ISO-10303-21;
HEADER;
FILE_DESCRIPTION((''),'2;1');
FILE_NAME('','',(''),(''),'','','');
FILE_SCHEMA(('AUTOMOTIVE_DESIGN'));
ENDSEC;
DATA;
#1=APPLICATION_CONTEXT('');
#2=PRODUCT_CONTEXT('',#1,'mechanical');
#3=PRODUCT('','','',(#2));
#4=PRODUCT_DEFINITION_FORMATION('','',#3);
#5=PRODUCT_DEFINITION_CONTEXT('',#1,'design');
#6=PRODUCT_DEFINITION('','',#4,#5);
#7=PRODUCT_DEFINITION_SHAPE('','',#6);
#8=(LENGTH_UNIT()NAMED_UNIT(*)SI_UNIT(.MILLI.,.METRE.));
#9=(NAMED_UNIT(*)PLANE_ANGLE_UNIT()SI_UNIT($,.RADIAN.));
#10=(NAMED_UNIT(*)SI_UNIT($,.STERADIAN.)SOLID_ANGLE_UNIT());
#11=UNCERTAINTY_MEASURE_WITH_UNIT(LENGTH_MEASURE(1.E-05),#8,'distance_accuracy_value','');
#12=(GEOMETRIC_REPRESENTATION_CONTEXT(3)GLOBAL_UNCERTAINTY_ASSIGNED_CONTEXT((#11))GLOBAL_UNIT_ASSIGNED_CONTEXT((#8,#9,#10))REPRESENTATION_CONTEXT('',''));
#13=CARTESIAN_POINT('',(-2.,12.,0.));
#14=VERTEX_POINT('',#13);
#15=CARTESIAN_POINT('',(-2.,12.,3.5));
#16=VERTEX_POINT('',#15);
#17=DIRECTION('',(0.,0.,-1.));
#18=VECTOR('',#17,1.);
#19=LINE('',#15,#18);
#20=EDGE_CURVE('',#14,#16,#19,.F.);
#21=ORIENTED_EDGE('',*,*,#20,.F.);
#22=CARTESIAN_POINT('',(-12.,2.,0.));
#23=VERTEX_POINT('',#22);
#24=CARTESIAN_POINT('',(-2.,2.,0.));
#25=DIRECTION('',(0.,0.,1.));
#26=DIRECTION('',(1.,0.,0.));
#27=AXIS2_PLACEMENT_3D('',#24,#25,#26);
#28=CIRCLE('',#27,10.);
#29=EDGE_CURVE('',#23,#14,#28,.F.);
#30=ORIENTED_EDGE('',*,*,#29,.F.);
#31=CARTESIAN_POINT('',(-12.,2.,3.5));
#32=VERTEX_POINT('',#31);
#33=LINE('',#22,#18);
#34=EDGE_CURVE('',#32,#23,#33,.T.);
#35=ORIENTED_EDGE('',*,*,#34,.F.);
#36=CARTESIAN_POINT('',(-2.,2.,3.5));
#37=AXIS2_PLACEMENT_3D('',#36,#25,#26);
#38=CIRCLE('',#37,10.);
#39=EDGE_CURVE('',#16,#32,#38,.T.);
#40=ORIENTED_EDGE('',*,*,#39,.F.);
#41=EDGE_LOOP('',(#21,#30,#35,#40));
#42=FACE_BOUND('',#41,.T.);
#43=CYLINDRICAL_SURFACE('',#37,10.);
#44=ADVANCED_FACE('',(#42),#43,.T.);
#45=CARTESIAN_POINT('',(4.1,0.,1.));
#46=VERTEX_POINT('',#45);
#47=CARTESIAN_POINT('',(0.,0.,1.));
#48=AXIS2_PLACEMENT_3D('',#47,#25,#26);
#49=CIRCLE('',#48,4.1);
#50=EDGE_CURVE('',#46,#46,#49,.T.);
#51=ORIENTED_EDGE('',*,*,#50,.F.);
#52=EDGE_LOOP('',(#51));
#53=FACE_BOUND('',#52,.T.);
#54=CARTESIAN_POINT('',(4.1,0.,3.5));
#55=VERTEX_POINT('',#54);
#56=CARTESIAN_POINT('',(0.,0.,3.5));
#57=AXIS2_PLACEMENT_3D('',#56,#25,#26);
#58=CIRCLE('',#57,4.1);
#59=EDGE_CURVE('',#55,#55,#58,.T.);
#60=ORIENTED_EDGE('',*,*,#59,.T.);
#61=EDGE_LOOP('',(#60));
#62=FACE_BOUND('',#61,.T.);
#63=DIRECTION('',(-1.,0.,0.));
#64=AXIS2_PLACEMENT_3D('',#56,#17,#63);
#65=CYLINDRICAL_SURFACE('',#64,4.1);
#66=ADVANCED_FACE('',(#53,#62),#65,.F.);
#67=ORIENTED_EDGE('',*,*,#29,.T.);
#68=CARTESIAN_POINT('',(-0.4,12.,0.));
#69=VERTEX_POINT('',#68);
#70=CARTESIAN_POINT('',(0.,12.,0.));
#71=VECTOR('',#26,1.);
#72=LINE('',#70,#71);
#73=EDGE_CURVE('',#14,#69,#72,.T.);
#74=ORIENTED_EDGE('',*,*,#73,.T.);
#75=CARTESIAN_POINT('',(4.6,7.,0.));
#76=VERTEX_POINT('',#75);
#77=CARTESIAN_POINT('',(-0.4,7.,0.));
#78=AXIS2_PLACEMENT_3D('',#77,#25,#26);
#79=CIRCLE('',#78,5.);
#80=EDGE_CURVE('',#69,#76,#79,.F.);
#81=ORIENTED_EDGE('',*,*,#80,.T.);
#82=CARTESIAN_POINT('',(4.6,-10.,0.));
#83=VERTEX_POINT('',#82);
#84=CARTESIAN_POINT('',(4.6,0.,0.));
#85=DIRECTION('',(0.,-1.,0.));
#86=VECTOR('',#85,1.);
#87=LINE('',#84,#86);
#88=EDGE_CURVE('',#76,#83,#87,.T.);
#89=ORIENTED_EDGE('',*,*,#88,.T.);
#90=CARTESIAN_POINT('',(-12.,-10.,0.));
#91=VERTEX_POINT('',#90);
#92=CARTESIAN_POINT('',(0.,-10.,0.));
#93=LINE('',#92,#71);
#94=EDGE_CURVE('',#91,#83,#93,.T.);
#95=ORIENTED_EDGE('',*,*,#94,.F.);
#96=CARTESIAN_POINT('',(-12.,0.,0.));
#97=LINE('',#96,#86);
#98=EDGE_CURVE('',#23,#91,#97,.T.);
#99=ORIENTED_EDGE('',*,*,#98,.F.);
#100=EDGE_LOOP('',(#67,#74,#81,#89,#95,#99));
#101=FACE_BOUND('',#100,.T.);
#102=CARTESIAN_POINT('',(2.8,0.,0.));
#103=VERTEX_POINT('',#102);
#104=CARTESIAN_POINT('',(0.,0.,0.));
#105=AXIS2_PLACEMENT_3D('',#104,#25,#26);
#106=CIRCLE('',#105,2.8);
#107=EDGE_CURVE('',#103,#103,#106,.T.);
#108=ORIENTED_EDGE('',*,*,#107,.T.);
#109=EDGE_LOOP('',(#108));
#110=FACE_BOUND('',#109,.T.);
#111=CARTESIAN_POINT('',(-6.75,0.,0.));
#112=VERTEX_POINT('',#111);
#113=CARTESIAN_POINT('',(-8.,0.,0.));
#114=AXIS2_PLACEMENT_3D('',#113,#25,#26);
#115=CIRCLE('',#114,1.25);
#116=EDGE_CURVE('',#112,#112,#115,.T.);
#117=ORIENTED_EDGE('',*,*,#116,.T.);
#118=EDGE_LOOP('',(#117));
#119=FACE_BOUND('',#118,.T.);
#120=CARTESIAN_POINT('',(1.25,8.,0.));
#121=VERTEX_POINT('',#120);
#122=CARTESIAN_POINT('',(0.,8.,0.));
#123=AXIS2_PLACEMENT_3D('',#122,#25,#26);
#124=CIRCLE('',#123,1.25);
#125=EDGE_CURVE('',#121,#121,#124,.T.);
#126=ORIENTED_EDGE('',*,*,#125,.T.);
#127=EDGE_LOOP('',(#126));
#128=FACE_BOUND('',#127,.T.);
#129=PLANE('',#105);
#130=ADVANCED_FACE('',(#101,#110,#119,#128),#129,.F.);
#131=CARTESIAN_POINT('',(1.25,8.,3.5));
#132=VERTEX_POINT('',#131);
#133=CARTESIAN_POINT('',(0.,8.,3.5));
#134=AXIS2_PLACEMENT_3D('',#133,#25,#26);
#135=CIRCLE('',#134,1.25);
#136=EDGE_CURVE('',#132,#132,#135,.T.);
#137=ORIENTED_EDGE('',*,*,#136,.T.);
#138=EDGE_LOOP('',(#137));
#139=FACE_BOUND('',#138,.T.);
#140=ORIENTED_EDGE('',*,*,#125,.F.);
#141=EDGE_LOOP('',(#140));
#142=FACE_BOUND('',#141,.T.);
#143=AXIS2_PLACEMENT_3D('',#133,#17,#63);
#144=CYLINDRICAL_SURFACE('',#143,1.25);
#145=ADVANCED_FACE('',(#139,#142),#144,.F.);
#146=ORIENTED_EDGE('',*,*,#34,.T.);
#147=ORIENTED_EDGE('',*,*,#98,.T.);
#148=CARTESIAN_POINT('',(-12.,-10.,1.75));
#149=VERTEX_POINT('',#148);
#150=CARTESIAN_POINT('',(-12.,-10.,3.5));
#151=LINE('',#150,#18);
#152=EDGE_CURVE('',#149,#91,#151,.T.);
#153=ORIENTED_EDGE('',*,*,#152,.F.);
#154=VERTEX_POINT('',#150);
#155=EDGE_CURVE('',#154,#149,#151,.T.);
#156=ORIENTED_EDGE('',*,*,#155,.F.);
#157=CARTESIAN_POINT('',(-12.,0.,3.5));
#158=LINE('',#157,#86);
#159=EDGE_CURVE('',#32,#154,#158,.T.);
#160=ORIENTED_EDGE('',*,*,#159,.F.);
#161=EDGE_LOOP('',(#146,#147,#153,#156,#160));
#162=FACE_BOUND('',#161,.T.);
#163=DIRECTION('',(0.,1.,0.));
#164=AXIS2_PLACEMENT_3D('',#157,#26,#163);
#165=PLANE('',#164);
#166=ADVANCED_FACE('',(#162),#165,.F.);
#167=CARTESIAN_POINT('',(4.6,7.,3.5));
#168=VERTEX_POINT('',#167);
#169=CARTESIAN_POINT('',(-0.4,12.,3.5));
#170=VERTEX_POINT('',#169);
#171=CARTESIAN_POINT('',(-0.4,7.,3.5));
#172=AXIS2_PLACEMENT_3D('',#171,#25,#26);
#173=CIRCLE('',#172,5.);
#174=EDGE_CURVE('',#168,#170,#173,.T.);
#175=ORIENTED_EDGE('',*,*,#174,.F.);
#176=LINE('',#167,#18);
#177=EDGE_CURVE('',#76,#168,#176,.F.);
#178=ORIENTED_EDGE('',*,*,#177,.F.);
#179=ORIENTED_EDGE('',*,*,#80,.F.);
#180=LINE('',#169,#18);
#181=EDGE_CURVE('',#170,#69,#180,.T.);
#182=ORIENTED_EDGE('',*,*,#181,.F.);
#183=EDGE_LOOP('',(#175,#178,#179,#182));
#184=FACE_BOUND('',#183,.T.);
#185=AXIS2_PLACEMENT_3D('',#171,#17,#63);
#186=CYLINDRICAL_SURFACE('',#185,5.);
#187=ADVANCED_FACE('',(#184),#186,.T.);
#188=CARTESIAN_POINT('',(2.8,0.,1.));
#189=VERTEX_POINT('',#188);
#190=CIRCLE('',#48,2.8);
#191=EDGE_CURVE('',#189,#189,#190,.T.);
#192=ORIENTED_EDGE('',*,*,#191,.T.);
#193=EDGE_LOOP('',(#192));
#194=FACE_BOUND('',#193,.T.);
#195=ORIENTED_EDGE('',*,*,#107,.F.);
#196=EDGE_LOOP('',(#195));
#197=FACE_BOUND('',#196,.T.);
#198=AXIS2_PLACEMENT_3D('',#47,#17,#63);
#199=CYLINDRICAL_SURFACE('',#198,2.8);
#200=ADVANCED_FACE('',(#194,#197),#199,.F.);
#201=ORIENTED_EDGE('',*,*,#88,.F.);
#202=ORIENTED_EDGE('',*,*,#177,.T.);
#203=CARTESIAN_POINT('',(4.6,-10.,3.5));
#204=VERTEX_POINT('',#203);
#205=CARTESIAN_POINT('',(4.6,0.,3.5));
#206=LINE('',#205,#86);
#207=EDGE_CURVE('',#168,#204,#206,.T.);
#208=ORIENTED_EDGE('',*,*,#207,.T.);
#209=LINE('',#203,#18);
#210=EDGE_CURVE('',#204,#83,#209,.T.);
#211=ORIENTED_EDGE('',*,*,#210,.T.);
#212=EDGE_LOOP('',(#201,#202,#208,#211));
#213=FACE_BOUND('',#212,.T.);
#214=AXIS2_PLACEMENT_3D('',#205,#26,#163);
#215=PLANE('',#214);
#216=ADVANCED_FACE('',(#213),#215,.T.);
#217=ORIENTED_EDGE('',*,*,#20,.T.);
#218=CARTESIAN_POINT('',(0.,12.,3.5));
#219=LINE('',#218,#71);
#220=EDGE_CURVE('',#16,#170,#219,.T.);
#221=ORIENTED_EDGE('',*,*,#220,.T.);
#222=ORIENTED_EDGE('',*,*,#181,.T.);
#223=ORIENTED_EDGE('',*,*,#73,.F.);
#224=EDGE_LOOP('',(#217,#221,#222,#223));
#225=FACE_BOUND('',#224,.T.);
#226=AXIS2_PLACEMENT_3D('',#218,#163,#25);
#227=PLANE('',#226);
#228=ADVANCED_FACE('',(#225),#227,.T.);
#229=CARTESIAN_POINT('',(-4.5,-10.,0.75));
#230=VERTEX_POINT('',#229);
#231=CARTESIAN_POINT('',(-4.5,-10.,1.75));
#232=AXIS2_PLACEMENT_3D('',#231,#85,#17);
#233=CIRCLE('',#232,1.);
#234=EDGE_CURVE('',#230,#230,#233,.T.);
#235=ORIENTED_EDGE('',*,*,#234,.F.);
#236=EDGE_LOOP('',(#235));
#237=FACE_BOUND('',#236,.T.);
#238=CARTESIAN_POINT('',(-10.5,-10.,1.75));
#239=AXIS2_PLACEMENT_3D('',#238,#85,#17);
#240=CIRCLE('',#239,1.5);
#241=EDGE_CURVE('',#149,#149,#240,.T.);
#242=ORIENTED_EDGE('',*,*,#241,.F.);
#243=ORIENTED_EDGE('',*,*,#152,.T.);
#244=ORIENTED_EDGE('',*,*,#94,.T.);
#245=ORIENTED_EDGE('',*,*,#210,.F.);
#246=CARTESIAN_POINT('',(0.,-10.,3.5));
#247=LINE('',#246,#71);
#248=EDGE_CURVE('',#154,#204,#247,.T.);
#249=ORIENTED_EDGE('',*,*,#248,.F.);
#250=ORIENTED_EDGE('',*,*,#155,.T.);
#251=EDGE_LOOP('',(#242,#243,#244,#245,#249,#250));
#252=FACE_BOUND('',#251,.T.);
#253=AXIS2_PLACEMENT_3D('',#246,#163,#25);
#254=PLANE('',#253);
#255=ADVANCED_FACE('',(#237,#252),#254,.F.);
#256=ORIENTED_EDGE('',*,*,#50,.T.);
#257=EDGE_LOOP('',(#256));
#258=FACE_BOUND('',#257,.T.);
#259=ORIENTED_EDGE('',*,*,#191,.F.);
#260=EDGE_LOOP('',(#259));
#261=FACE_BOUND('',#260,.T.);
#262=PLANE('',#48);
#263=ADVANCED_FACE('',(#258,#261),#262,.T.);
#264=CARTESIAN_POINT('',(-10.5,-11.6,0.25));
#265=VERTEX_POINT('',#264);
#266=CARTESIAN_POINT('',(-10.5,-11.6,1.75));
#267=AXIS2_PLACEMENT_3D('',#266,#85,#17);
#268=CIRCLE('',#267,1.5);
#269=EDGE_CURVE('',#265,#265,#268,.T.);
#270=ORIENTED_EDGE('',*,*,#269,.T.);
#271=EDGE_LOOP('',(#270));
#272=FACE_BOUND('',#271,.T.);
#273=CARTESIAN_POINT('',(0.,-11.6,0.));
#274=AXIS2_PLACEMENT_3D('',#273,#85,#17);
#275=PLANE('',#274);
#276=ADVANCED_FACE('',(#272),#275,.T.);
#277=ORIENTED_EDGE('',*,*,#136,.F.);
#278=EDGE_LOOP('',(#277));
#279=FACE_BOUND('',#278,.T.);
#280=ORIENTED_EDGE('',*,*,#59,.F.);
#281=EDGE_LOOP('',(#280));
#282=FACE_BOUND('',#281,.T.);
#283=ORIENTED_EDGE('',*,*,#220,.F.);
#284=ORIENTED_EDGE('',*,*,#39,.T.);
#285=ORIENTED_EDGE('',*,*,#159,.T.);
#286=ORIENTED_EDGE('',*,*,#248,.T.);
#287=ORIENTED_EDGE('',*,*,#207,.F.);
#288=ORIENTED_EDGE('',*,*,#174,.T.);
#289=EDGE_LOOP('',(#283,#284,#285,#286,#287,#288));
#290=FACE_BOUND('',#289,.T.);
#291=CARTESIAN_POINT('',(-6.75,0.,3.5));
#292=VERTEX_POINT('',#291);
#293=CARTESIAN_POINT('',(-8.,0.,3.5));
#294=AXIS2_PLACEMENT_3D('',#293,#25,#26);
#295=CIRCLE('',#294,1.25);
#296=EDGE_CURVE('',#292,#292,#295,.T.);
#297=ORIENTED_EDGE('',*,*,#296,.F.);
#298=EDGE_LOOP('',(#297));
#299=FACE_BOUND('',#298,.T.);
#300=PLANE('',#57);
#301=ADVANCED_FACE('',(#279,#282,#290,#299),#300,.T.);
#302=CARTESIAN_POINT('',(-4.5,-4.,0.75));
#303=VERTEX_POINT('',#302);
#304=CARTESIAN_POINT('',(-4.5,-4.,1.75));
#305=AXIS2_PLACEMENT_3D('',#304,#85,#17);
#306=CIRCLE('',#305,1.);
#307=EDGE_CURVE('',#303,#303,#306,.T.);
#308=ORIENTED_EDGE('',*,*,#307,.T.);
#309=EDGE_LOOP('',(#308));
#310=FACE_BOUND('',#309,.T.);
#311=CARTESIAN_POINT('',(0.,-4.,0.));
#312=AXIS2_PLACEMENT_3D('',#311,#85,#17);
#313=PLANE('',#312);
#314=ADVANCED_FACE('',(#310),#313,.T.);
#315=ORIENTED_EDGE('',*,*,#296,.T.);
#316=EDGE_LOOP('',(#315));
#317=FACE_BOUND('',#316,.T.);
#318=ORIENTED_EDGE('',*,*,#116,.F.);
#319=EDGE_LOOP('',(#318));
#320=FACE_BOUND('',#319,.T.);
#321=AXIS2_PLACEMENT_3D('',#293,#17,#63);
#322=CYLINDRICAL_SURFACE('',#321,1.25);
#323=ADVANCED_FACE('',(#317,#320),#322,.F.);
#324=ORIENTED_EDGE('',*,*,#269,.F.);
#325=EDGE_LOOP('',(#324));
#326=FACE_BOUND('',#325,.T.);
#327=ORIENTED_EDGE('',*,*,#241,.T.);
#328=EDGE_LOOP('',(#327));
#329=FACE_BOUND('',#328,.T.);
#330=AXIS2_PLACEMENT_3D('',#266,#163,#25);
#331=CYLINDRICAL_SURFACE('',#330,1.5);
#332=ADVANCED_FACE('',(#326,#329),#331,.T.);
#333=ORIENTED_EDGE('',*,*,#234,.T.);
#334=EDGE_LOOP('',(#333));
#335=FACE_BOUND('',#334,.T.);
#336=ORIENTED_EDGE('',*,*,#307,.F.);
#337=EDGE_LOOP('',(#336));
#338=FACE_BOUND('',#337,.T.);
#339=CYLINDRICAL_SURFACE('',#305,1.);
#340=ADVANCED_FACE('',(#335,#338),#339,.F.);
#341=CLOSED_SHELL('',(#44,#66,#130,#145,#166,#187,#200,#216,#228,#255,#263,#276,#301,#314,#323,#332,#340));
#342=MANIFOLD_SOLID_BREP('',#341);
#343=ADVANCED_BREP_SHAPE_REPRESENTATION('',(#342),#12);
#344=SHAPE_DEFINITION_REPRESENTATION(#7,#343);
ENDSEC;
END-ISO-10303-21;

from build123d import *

# Parameters (mm, degrees)
SKETCH_1_W          = 16.6
SKETCH_1_H          = 22
SKETCH_1_R          = 1.25
SKETCH_1_R_2        = 4.1
EXTRUDE_1_DEPTH     = 3.5
SKETCH_1_3_R        = 4.1
SKETCH_1_3_R_2      = 2.8
EXTRUDE_2_DEPTH     = 1
FILLET_1_R          = 10
FILLET_2_R          = 5
SKETCH_2_R          = 1
CUT_EXTRUDE_1_DEPTH = 6
SKETCH_2_3_R        = 1.5
EXTRUDE_3_DEPTH     = 1.6


with BuildPart() as part:
    # 草图1 → 凸台-拉伸1 (new body)
    with BuildSketch(Plane.XY):
        with Locations((-3.7, 1)):
            Rectangle(SKETCH_1_W, SKETCH_1_H)
        with Locations((-8, 0)):
            Circle(SKETCH_1_R, mode=Mode.SUBTRACT)
        Circle(SKETCH_1_R_2, mode=Mode.SUBTRACT)
        with Locations((0, 8)):
            Circle(SKETCH_1_R, mode=Mode.SUBTRACT)
    extrude(amount=EXTRUDE_1_DEPTH)

    # 草图1<3> → 凸台-拉伸2 (add)
    with BuildSketch(Plane.XY):
        Circle(SKETCH_1_3_R)
        Circle(SKETCH_1_3_R_2, mode=Mode.SUBTRACT)
    extrude(amount=EXTRUDE_2_DEPTH)

    # 圆角1
    fillet_1_edges = [part.edges().sort_by_distance(p)[0] for p in [
        (-12, 12, 1.75),
    ]]
    fillet(fillet_1_edges, radius=FILLET_1_R)

    # 圆角2
    fillet_2_edges = [part.edges().sort_by_distance(p)[0] for p in [
        (4.6, 12, 1.75),
    ]]
    fillet(fillet_2_edges, radius=FILLET_2_R)

    # 草图2 → 切除-拉伸1 (cut)
    with BuildSketch(Plane.XZ.offset(10)):
        with Locations((-4.5, 1.75)):
            Circle(SKETCH_2_R)
    extrude(amount=-CUT_EXTRUDE_1_DEPTH, mode=Mode.SUBTRACT)

    # 草图2<3> → 凸台-拉伸3 (add)
    with BuildSketch(Plane.XZ.offset(10)):
        with Locations((-10.5, 1.75)):
            Circle(SKETCH_2_3_R)
    extrude(amount=EXTRUDE_3_DEPTH)


solid = part.part
